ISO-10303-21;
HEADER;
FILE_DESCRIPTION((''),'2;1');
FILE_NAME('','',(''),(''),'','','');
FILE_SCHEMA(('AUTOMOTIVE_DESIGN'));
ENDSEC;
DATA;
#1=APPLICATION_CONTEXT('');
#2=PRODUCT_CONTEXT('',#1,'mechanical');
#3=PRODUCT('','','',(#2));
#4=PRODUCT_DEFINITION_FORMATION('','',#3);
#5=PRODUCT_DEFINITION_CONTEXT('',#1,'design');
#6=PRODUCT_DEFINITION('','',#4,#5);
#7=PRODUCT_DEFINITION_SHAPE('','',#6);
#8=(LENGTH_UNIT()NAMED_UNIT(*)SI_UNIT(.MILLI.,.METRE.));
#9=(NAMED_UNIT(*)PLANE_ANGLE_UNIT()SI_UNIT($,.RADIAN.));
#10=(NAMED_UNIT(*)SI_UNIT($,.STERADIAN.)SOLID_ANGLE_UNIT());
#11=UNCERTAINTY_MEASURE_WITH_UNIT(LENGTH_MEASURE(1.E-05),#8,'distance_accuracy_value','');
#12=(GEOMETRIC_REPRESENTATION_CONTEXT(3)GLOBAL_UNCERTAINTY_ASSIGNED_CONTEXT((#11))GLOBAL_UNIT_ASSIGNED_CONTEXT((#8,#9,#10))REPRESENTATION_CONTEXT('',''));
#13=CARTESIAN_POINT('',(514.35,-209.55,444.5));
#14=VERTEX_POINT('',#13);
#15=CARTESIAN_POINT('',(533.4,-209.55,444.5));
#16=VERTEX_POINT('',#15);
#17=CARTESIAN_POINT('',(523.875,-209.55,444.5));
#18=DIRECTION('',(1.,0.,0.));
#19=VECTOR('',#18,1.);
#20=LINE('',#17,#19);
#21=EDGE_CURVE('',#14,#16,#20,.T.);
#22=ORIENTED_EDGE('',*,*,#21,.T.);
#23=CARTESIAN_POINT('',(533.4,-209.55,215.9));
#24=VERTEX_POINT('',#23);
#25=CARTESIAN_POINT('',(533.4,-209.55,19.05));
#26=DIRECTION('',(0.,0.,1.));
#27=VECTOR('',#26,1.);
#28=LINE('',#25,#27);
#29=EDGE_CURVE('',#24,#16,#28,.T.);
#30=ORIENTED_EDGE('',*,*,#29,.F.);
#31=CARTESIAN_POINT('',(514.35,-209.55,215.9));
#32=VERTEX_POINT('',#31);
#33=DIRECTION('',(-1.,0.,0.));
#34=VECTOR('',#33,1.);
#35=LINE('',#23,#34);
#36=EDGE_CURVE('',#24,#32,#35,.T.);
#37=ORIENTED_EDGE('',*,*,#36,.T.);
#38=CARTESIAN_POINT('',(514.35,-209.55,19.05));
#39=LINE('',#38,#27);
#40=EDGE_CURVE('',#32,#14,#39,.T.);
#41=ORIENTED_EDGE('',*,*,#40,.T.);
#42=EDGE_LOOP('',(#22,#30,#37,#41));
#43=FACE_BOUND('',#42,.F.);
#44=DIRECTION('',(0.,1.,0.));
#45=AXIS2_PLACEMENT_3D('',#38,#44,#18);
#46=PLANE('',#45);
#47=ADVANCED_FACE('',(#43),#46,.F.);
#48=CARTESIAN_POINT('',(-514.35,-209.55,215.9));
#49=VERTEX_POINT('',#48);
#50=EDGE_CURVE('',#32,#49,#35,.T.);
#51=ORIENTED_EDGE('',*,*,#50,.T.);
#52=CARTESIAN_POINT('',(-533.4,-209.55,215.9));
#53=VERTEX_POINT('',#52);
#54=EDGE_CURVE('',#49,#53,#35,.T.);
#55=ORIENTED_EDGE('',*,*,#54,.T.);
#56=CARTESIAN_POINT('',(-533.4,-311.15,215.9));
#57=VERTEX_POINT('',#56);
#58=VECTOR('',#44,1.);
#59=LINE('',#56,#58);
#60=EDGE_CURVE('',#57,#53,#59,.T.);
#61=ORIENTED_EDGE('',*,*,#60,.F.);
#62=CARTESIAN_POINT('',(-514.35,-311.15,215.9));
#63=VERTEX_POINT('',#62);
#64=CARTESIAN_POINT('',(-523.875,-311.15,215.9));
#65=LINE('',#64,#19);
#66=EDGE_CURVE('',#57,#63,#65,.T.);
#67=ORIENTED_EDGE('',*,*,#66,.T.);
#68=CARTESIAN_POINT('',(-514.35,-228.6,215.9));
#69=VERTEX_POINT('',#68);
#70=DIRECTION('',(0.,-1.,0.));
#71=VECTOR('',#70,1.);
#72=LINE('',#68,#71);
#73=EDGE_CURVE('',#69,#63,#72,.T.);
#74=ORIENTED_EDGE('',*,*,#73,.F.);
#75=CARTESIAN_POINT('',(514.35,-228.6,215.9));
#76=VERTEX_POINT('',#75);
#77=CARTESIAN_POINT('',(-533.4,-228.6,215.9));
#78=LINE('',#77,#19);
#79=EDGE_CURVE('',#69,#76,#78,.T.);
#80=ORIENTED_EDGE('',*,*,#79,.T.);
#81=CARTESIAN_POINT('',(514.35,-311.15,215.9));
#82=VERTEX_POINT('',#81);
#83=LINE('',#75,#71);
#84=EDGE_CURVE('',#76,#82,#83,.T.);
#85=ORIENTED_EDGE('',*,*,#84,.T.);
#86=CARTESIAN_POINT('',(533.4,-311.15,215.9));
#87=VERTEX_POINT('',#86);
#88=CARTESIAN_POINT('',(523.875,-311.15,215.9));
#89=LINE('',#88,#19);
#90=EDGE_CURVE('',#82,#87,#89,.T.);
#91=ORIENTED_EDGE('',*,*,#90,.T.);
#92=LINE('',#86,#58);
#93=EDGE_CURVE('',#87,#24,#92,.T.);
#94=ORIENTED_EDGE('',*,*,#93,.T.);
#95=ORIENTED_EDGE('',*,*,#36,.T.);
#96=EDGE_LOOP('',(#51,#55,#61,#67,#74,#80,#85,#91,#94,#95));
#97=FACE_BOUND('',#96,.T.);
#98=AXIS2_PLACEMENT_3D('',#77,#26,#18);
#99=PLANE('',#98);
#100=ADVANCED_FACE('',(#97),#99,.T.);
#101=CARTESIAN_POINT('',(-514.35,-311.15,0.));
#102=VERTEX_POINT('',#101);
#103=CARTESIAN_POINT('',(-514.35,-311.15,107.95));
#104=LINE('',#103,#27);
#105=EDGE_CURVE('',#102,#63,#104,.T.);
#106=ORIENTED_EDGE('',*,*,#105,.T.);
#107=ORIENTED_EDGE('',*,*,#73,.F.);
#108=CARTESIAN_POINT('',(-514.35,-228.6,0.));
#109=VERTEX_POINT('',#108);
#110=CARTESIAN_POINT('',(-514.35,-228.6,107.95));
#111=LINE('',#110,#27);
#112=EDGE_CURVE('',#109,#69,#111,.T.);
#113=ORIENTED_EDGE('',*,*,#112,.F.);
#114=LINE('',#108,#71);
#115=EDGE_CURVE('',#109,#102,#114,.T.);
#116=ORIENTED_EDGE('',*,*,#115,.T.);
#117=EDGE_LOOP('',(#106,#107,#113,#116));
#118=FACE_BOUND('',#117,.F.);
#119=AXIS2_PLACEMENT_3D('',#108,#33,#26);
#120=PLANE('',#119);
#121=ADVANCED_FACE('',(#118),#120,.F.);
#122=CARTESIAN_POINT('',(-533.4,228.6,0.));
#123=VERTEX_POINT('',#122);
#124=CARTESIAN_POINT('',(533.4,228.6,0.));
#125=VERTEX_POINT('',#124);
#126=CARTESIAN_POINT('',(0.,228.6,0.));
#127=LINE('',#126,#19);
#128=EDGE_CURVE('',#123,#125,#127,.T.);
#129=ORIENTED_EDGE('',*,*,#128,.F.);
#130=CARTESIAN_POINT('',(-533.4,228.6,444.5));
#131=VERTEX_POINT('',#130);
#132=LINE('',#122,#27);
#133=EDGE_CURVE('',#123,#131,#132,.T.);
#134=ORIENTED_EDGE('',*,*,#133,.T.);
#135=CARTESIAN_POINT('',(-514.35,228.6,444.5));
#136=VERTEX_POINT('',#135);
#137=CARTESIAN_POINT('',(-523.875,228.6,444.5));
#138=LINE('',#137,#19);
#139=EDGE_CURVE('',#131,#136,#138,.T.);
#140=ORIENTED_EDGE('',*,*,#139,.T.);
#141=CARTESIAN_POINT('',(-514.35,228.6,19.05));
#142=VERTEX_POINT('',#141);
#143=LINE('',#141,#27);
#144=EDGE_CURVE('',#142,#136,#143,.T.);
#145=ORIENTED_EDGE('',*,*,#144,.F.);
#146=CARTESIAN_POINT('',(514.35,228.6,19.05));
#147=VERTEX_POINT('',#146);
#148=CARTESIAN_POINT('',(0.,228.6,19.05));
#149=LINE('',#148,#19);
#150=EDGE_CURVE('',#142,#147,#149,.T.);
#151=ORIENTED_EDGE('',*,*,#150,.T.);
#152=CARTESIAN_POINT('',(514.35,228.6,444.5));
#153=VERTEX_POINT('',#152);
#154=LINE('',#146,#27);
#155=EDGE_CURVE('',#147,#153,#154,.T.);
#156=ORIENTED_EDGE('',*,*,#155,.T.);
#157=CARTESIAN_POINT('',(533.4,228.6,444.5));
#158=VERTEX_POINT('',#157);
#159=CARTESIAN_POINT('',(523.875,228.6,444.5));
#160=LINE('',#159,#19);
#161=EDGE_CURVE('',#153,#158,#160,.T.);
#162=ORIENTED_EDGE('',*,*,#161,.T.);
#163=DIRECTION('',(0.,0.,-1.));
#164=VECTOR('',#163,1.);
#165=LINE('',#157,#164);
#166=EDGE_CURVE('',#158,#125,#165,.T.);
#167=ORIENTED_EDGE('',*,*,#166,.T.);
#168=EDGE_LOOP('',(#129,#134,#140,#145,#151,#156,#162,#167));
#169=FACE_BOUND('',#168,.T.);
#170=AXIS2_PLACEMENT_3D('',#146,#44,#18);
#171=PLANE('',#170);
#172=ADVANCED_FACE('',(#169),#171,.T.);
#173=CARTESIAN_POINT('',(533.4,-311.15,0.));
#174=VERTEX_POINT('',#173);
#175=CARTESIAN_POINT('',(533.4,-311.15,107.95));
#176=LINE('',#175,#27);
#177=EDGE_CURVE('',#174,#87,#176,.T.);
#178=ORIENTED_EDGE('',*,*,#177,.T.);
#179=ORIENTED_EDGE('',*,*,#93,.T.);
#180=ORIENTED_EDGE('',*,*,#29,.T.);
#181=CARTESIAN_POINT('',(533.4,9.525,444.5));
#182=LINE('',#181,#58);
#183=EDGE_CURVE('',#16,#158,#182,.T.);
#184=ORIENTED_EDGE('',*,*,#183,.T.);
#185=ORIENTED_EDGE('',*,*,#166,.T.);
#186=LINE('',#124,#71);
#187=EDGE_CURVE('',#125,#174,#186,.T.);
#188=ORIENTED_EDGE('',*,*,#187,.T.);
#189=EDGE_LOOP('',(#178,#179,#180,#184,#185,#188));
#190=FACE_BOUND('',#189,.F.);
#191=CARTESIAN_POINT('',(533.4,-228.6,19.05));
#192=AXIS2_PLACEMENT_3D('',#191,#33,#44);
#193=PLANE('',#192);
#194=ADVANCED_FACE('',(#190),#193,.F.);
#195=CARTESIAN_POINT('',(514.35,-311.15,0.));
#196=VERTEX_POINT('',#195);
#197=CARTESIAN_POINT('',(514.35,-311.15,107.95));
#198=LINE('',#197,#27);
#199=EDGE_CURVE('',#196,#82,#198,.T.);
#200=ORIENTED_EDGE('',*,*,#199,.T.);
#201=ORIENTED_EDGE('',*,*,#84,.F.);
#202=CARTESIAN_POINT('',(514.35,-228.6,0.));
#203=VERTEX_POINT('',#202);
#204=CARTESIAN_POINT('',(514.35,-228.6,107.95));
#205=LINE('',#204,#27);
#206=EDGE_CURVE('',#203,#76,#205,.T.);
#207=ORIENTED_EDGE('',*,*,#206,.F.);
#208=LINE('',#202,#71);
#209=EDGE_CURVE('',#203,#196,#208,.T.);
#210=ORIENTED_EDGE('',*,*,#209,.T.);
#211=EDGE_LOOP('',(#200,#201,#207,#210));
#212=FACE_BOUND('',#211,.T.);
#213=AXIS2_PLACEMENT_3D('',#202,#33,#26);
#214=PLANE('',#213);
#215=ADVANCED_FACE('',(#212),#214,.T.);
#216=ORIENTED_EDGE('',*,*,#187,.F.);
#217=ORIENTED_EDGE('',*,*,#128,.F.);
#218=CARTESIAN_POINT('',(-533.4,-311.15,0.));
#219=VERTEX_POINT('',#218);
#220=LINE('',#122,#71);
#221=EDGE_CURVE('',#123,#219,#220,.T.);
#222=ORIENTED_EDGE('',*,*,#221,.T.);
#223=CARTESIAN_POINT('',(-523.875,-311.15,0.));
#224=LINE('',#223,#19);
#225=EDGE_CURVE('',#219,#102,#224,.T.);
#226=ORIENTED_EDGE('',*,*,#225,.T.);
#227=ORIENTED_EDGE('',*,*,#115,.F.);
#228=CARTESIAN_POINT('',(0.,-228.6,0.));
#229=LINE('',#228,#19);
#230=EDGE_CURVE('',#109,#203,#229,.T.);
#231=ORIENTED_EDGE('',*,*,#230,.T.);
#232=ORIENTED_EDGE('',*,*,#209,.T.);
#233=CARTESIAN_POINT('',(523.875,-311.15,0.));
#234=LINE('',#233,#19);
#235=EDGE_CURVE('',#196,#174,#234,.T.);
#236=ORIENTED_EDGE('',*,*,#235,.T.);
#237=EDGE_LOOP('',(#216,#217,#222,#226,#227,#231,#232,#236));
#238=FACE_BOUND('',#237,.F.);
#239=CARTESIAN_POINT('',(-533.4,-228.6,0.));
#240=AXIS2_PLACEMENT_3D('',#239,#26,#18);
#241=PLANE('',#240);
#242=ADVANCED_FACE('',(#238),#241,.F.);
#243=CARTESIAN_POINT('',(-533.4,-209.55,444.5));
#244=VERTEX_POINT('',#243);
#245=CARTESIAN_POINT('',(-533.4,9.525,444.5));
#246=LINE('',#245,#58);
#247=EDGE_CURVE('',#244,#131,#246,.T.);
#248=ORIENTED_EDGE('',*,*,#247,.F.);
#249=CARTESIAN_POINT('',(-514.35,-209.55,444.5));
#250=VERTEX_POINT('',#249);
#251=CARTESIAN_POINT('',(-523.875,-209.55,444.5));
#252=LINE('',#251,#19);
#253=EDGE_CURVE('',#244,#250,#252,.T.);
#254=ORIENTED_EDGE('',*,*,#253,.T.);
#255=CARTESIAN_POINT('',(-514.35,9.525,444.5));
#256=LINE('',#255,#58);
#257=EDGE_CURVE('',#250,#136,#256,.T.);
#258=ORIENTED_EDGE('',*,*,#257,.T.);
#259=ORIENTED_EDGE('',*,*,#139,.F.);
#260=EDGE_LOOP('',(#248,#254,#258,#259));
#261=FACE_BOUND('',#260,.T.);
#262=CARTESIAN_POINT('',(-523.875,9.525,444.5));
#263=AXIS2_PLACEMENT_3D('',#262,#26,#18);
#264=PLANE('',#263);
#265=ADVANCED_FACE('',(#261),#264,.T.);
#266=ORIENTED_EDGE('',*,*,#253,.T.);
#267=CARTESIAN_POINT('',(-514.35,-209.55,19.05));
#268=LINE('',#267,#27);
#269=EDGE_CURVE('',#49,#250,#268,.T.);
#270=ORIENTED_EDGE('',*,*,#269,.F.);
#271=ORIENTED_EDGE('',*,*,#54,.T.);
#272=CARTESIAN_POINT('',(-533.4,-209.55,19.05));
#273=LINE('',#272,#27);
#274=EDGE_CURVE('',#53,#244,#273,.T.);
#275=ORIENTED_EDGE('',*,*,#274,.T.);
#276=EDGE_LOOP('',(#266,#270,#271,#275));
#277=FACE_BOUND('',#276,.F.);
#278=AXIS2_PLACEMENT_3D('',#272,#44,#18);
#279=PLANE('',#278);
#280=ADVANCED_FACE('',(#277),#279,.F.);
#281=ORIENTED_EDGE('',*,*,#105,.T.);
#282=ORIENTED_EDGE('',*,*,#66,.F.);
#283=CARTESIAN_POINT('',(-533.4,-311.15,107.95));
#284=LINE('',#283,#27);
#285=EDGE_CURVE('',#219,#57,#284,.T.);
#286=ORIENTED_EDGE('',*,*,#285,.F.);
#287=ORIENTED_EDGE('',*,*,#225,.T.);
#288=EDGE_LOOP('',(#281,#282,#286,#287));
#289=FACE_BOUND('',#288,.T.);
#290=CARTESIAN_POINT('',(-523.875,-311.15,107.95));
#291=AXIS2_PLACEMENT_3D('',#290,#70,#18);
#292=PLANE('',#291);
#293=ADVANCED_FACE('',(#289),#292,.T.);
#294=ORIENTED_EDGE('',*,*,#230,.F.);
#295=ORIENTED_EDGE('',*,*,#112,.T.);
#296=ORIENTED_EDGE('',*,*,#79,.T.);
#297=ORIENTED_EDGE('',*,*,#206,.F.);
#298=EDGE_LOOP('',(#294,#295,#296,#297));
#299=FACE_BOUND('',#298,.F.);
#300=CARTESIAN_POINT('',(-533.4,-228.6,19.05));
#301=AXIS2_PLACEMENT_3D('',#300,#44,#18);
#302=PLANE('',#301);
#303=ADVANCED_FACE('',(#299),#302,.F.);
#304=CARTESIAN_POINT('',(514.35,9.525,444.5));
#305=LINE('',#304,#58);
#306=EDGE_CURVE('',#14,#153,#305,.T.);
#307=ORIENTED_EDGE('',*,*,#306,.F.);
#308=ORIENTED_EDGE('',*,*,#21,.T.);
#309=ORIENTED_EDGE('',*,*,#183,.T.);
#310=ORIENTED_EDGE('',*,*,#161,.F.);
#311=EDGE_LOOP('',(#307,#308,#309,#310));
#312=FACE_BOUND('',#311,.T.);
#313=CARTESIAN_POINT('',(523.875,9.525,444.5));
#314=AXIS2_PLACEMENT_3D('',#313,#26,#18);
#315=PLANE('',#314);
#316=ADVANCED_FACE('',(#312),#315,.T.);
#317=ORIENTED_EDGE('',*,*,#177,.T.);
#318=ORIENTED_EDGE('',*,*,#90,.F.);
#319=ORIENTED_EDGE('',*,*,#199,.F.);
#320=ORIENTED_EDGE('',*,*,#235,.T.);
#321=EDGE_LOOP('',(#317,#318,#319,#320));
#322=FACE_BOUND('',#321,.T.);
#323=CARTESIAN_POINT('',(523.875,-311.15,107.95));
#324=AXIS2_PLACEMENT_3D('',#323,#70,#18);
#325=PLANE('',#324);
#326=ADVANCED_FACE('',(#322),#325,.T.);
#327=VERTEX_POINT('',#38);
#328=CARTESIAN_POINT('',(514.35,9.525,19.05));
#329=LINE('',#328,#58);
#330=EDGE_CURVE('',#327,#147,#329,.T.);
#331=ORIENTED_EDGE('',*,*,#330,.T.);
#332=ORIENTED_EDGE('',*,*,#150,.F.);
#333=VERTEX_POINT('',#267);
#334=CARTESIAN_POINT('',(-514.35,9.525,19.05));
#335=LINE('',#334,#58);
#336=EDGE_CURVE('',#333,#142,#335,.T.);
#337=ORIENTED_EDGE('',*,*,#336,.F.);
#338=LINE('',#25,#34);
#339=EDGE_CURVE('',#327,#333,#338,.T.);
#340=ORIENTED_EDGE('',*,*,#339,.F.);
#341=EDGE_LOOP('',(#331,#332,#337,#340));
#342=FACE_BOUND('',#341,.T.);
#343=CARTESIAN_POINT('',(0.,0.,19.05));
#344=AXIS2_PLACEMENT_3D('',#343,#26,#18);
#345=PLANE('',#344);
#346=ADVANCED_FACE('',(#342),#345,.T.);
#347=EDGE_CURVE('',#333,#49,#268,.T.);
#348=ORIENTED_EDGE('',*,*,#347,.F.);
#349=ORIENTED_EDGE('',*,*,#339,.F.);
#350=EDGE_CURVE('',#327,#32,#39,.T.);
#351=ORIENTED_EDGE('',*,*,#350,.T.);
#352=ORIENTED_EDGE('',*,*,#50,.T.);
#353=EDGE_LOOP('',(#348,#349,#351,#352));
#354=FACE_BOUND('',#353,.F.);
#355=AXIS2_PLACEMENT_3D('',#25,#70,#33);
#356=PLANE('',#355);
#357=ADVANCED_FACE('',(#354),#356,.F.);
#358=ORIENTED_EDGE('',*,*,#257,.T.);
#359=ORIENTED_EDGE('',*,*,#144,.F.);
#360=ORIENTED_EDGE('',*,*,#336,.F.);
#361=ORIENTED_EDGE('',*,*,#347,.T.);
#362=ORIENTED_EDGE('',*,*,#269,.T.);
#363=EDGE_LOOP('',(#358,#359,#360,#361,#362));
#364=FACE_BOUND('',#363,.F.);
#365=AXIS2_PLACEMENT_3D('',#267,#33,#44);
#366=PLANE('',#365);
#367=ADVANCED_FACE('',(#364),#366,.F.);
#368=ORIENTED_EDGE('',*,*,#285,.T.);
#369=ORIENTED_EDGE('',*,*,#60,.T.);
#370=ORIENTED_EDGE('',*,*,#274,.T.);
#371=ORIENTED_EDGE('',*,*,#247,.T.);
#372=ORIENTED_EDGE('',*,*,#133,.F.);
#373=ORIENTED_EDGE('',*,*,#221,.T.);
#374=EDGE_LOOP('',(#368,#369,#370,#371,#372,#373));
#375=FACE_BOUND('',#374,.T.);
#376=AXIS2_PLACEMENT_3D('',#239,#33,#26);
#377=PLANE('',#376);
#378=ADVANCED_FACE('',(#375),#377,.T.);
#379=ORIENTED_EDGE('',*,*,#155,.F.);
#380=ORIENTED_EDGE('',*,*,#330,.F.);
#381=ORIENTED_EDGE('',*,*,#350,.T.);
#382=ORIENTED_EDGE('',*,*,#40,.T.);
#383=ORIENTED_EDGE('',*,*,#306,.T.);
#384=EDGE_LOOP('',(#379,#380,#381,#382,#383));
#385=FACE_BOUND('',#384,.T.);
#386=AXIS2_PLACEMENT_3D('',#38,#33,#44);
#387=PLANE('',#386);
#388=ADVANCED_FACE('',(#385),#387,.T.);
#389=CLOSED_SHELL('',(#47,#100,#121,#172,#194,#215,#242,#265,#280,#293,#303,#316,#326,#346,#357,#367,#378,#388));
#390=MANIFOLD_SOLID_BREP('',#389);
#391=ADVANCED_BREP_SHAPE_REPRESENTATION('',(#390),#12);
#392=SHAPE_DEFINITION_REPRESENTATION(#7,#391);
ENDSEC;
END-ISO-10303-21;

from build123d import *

# Parameters (mm, degrees)
F0_W     = 1066.8
F0_H     = 457.2
F1_DEPTH = 19.05
F2_W     = 19.05
F2_H     = 438.15
F3_DEPTH = 425.45
F4_DEPTH = 196.85
F6_W     = 19.05
F6_H     = 215.9
F7_DEPTH = 82.55


with BuildPart() as f1:
    # F0 (on Top) → F1 (new body)
    with BuildSketch(Plane.XY):
        Rectangle(F0_W, F0_H)
    extrude(amount=F1_DEPTH)

    # F2 (on face) → F3 (join)
    with BuildSketch(Plane.XY.offset(19.05)):
        with Locations((523.875, 9.525)):
            Rectangle(F2_W, F2_H)
        with Locations((-523.875, 9.525)):
            Rectangle(F2_W, F2_H)
    extrude(amount=F3_DEPTH)

    # F2 (on face) → F4 (join)
    with BuildSketch(Plane.XY.offset(19.05)):
        Polygon((-514.35, -209.55), (-533.4, -209.55), (-533.4, -228.6), (533.4, -228.6), (533.4, -209.55), (514.35, -209.55), align=None)
    extrude(amount=F4_DEPTH)

    # F6 (on face) → F7 (join)
    with BuildSketch(Plane.XZ.offset(228.6)):
        with Locations((-523.875, 107.95)):
            Rectangle(F6_W, F6_H)
        with Locations((523.875, 107.95)):
            Rectangle(F6_W, F6_H)
    extrude(amount=F7_DEPTH)


solid = f1.part
